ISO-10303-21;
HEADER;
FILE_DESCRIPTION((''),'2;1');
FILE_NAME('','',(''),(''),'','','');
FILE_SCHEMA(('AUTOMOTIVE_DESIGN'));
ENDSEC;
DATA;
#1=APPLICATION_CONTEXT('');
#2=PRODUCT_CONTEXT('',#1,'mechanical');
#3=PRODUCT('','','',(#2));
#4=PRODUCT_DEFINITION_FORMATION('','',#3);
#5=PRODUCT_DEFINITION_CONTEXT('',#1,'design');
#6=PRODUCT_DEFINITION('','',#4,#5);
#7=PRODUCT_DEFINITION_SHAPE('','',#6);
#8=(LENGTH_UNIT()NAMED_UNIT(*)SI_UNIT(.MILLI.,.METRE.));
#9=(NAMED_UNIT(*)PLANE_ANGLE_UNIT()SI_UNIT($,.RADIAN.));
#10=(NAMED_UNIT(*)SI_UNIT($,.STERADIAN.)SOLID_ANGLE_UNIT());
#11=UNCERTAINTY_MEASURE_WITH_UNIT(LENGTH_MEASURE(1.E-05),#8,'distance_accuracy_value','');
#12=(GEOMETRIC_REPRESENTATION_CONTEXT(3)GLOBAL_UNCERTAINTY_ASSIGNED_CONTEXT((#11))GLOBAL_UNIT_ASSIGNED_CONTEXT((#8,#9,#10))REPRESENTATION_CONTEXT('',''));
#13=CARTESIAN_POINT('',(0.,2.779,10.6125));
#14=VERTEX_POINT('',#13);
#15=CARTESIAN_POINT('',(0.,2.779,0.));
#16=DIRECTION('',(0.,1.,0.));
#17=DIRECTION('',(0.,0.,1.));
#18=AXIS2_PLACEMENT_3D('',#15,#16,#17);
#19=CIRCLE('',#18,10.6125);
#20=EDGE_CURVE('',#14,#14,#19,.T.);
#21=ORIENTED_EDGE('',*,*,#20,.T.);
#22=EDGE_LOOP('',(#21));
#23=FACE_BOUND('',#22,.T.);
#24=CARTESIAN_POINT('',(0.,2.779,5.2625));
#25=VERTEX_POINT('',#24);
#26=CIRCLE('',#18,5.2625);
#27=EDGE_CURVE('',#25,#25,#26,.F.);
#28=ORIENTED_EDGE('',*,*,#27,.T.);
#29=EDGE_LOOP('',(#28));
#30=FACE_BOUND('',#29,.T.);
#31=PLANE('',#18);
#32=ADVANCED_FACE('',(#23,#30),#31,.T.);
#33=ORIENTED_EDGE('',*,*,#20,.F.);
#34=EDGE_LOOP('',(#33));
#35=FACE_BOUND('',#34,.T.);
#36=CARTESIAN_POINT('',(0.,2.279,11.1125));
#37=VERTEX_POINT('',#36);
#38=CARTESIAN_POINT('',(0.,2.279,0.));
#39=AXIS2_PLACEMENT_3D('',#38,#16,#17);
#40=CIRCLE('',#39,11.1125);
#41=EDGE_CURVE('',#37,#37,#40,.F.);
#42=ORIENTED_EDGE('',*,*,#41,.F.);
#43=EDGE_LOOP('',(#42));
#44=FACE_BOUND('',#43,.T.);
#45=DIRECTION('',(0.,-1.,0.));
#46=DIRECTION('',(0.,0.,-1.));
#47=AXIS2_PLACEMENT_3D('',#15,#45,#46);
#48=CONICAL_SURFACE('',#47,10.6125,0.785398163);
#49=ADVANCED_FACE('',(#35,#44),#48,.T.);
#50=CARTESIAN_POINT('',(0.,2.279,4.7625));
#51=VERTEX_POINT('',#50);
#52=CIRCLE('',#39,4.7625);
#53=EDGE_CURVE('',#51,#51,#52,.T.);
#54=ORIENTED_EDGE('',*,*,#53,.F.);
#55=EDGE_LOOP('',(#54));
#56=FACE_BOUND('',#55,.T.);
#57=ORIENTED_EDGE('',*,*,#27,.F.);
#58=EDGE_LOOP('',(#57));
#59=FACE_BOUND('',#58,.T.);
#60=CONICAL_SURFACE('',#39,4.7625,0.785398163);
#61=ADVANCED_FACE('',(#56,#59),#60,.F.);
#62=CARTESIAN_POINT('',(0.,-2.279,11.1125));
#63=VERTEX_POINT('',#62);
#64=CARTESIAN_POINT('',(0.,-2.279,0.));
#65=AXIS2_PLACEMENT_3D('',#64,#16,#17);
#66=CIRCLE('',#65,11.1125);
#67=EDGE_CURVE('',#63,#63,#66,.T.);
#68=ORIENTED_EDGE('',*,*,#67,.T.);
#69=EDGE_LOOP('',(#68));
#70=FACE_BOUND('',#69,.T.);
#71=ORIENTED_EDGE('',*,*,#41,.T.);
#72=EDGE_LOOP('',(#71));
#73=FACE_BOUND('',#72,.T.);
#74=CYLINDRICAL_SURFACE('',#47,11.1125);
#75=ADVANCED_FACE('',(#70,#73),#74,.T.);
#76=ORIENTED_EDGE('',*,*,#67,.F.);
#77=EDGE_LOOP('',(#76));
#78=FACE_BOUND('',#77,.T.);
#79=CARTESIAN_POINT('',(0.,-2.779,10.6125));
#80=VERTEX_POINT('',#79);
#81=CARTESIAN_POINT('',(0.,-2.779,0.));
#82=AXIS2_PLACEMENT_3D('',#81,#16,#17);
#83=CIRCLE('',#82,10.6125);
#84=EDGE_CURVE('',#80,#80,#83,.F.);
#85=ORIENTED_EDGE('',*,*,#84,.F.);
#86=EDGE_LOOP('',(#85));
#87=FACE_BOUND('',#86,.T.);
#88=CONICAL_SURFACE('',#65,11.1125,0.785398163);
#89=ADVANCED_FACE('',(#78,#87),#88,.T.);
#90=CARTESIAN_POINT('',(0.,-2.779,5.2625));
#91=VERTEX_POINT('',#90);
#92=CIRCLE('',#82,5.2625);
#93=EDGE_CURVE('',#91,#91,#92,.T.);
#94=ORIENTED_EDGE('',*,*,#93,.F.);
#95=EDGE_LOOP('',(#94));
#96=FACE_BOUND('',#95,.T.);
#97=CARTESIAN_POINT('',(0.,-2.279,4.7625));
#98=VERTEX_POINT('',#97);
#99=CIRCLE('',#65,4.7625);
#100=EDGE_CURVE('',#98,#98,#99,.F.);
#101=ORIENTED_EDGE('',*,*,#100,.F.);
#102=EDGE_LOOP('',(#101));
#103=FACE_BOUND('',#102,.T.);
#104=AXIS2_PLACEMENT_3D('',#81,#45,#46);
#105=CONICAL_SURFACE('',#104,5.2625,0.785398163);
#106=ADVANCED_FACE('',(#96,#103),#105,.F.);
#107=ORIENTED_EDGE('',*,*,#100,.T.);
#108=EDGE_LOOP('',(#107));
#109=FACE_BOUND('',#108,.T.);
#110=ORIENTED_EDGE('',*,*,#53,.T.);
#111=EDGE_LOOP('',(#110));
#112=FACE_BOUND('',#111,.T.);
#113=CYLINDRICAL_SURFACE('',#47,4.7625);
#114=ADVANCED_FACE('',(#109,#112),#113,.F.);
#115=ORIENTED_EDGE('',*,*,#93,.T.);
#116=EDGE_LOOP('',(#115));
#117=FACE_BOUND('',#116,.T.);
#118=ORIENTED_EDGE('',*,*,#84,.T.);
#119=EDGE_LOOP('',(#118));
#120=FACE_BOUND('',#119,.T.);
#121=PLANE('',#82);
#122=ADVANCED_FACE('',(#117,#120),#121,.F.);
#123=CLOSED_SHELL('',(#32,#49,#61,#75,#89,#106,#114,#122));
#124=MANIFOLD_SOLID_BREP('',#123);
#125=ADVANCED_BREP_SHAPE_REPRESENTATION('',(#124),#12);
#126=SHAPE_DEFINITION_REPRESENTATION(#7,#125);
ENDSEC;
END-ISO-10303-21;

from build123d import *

# Parameters (mm, degrees)
SKETCH1_R           = 11.1125
SKETCH1_R_2         = 4.7625
BOSS_EXTRUDE1_DEPTH = 2.779
CHAMFER1_SIZE       = 0.5


with BuildPart() as part:
    # Sketch1 → Boss-Extrude1 (new, symmetric)
    with BuildSketch(Plane(origin=(0, 0, 0), x_dir=(1, 0, 0), z_dir=(0, 1, 0))):
        Circle(SKETCH1_R)
        Circle(SKETCH1_R_2, mode=Mode.SUBTRACT)
    extrude(amount=BOSS_EXTRUDE1_DEPTH, both=True)

    # Chamfer1
    chamfer1_edges = [part.edges().sort_by_distance(p)[0] for p in [
        (-4.7625, -2.779, 0),
        (-11.1125, -2.779, 0),
        (-4.7625, 2.779, 0),
        (-11.1125, 2.779, 0),
    ]]
    chamfer(chamfer1_edges, length=CHAMFER1_SIZE)


solid = part.part
